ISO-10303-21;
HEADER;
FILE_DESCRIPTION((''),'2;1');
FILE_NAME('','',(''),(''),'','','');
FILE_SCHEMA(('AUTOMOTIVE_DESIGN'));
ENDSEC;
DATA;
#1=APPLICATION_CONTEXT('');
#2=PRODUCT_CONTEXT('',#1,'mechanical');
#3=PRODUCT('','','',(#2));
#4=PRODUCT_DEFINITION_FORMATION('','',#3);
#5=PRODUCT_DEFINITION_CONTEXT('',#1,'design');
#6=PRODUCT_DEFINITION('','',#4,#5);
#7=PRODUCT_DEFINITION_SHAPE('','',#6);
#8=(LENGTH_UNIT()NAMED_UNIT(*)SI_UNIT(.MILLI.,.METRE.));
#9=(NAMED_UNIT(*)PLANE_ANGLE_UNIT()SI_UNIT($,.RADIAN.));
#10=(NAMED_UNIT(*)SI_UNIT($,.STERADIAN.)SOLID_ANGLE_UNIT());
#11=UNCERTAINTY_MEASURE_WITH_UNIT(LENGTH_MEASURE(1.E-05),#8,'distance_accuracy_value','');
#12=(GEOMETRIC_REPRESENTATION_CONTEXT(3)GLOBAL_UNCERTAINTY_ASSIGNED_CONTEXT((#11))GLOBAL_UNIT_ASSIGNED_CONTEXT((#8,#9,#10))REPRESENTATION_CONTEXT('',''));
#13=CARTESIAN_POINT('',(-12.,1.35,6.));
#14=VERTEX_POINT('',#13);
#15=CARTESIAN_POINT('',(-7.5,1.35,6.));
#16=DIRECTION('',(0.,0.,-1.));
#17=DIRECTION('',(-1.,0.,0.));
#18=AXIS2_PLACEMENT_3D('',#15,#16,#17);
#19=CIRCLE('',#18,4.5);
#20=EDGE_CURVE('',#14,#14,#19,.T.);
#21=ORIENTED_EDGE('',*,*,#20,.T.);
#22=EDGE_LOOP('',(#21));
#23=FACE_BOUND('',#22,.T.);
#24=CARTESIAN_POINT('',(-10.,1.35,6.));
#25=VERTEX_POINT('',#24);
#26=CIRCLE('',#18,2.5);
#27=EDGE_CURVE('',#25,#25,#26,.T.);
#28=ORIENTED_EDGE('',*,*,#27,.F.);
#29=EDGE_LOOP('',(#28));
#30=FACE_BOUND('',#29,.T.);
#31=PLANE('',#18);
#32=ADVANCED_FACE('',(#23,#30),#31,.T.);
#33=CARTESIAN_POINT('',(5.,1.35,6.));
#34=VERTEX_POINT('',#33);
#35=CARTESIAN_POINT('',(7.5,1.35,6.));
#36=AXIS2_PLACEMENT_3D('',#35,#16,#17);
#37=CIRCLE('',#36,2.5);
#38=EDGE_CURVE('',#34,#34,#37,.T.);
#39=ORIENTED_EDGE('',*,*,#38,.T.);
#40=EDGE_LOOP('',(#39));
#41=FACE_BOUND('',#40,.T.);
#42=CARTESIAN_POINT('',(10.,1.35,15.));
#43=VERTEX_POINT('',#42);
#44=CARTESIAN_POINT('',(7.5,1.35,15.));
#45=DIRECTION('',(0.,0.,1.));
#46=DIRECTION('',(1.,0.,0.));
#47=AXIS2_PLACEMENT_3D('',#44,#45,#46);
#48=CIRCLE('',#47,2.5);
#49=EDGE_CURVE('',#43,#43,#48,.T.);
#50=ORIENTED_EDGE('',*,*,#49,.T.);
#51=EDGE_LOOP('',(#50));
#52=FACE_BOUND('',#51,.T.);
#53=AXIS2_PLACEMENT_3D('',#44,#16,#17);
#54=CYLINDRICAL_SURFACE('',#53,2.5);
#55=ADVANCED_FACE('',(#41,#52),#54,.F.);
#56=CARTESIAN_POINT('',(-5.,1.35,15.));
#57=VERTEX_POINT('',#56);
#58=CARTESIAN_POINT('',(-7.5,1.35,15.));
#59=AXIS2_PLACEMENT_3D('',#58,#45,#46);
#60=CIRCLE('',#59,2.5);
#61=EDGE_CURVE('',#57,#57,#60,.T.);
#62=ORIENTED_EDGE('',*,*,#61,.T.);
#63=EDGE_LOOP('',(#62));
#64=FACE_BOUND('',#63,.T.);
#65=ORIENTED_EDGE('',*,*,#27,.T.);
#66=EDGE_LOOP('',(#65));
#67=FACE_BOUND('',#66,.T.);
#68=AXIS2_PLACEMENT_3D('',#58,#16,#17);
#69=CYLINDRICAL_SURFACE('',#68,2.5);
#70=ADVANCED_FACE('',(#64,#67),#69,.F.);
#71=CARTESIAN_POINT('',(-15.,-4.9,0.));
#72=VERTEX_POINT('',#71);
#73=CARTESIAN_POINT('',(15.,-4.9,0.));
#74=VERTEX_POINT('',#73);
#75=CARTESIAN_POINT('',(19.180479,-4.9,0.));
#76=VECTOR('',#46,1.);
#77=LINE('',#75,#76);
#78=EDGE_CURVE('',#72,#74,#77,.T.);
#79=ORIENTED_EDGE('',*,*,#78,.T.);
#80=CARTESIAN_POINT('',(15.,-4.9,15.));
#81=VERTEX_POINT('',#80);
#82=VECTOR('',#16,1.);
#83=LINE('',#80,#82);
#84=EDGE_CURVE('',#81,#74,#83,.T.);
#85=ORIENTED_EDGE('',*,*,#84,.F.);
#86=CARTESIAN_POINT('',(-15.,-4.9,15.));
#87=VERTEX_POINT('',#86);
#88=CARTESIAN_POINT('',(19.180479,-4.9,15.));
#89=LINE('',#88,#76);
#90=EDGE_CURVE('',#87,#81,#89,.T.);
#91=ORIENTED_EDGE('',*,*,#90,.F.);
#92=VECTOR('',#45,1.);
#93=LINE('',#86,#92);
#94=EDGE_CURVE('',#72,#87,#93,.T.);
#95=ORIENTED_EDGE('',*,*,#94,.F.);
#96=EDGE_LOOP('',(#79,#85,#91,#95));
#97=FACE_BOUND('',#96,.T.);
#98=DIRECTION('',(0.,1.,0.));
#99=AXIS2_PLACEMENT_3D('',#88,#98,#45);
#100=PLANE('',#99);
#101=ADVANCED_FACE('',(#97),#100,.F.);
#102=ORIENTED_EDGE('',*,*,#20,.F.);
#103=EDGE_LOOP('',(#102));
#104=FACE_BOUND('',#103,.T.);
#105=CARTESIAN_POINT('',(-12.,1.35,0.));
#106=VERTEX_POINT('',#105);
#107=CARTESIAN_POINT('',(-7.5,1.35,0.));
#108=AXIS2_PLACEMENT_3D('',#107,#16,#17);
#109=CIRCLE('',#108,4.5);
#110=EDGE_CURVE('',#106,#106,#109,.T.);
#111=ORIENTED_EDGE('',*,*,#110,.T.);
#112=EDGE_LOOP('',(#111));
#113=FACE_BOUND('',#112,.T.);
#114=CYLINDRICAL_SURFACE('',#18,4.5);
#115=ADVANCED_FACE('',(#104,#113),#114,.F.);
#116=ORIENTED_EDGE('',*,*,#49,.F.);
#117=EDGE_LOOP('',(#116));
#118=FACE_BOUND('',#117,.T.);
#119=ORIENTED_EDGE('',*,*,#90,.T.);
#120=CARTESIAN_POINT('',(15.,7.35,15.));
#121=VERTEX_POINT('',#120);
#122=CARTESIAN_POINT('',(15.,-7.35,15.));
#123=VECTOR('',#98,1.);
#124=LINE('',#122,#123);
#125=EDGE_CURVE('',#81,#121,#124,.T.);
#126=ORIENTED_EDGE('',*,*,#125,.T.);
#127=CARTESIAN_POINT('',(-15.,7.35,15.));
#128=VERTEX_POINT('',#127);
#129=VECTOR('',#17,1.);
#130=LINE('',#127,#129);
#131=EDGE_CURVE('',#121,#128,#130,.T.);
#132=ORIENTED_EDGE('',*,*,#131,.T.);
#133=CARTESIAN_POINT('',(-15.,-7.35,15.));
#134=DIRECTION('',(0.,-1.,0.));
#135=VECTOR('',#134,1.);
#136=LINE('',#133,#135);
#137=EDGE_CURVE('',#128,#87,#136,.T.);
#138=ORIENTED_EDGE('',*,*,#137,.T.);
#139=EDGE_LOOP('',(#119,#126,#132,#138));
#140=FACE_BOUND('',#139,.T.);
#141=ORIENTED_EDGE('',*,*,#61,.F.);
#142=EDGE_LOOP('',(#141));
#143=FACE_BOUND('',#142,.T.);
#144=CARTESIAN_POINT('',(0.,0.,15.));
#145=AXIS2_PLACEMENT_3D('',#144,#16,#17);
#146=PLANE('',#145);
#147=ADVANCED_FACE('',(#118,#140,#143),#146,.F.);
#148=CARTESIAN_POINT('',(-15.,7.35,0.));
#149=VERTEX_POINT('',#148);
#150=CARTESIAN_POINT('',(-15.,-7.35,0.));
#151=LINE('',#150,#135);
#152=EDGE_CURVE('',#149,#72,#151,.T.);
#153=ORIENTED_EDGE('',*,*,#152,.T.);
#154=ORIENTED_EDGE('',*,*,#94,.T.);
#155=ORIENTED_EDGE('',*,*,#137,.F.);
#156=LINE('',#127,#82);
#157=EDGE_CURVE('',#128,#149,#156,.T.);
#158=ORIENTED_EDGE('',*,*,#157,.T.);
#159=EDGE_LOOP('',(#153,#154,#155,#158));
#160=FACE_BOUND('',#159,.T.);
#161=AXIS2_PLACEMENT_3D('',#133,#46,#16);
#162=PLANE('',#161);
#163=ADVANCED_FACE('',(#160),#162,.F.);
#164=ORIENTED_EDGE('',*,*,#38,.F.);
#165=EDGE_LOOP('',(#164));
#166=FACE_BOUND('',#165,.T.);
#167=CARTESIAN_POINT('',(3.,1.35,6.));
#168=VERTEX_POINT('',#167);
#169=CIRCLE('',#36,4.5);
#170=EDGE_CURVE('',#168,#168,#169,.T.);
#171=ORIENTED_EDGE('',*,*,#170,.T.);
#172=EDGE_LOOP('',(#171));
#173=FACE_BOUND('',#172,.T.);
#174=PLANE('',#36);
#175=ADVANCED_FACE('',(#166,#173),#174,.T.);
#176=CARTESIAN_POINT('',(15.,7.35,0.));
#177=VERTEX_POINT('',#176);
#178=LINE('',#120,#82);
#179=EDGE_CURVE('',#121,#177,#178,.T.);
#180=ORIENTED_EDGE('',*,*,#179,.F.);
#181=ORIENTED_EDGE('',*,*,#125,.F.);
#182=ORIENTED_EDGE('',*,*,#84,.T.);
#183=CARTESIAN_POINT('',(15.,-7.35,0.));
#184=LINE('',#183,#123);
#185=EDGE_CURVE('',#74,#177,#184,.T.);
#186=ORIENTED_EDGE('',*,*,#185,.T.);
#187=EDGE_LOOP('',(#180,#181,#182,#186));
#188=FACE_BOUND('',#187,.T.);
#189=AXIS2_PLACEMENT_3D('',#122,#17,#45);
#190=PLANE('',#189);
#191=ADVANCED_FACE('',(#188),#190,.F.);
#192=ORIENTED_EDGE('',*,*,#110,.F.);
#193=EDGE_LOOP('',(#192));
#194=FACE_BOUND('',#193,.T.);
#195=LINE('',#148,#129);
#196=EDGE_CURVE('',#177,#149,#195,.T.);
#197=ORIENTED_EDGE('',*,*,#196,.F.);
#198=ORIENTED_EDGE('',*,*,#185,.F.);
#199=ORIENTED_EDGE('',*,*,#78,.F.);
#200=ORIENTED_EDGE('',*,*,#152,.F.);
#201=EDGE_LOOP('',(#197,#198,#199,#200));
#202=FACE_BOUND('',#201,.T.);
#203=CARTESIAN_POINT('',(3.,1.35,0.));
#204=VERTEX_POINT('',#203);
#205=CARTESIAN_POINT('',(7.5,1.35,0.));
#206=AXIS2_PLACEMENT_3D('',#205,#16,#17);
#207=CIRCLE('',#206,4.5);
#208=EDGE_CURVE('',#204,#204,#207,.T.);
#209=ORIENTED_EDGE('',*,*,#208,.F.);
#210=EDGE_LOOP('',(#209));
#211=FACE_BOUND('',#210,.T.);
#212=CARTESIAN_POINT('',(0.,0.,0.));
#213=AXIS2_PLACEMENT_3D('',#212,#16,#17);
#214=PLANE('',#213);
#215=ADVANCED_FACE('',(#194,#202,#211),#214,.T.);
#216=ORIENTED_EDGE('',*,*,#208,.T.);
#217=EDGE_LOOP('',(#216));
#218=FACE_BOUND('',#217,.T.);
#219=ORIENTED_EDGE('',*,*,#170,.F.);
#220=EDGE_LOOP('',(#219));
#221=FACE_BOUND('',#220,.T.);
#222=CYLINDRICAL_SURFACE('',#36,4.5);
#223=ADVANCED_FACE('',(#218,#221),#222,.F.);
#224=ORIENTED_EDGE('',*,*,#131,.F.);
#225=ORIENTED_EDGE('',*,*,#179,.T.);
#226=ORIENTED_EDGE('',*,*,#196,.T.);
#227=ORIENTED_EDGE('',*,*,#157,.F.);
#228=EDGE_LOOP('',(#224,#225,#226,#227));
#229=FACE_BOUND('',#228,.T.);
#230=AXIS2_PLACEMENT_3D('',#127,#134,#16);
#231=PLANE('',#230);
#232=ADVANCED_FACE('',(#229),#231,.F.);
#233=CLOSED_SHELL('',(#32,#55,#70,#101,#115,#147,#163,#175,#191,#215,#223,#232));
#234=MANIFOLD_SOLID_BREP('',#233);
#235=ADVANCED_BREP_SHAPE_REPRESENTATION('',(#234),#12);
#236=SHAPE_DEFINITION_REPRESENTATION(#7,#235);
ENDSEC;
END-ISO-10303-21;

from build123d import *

# Parameters (mm, degrees)
SKETCH1_W           = 30
SKETCH1_H           = 14.7
SKETCH1_R           = 2.5
BOSS_EXTRUDE1_DEPTH = 15
SKETCH4_R           = 4.5
CUT_EXTRUDE1_DEPTH  = 6
SKETCH6_W           = 43.790019277
SKETCH6_H           = 8.282134106
CUT_EXTRUDE2_DEPTH  = 23.45044543


with BuildPart() as part:
    # Sketch1 → Boss-Extrude1 (new body)
    with BuildSketch(Plane.XY):
        Rectangle(SKETCH1_W, SKETCH1_H)
        with Locations((7.5, 1.35)):
            Circle(SKETCH1_R, mode=Mode.SUBTRACT)
        with Locations((-7.5, 1.35)):
            Circle(SKETCH1_R, mode=Mode.SUBTRACT)
    extrude(amount=BOSS_EXTRUDE1_DEPTH)

    # Sketch4 → Cut-Extrude1 (cut)
    with BuildSketch(Plane(origin=(0, 0, 0), x_dir=(-1, 0, 0), z_dir=(0, 0, -1))):
        with Locations((-7.5, 1.35)):
            Circle(SKETCH4_R)
        with Locations((7.5, 1.35)):
            Circle(SKETCH4_R)
    extrude(amount=-CUT_EXTRUDE1_DEPTH, mode=Mode.SUBTRACT)

    # Sketch6 → Cut-Extrude2 (cut, through all)
    with BuildSketch(Plane(origin=(0, 0, 0), x_dir=(-1, 0, 0), z_dir=(0, 0, -1))):
        with Locations((2.714530428, -9.041067053)):
            Rectangle(SKETCH6_W, SKETCH6_H)
    extrude(amount=-CUT_EXTRUDE2_DEPTH, mode=Mode.SUBTRACT)


solid = part.part
